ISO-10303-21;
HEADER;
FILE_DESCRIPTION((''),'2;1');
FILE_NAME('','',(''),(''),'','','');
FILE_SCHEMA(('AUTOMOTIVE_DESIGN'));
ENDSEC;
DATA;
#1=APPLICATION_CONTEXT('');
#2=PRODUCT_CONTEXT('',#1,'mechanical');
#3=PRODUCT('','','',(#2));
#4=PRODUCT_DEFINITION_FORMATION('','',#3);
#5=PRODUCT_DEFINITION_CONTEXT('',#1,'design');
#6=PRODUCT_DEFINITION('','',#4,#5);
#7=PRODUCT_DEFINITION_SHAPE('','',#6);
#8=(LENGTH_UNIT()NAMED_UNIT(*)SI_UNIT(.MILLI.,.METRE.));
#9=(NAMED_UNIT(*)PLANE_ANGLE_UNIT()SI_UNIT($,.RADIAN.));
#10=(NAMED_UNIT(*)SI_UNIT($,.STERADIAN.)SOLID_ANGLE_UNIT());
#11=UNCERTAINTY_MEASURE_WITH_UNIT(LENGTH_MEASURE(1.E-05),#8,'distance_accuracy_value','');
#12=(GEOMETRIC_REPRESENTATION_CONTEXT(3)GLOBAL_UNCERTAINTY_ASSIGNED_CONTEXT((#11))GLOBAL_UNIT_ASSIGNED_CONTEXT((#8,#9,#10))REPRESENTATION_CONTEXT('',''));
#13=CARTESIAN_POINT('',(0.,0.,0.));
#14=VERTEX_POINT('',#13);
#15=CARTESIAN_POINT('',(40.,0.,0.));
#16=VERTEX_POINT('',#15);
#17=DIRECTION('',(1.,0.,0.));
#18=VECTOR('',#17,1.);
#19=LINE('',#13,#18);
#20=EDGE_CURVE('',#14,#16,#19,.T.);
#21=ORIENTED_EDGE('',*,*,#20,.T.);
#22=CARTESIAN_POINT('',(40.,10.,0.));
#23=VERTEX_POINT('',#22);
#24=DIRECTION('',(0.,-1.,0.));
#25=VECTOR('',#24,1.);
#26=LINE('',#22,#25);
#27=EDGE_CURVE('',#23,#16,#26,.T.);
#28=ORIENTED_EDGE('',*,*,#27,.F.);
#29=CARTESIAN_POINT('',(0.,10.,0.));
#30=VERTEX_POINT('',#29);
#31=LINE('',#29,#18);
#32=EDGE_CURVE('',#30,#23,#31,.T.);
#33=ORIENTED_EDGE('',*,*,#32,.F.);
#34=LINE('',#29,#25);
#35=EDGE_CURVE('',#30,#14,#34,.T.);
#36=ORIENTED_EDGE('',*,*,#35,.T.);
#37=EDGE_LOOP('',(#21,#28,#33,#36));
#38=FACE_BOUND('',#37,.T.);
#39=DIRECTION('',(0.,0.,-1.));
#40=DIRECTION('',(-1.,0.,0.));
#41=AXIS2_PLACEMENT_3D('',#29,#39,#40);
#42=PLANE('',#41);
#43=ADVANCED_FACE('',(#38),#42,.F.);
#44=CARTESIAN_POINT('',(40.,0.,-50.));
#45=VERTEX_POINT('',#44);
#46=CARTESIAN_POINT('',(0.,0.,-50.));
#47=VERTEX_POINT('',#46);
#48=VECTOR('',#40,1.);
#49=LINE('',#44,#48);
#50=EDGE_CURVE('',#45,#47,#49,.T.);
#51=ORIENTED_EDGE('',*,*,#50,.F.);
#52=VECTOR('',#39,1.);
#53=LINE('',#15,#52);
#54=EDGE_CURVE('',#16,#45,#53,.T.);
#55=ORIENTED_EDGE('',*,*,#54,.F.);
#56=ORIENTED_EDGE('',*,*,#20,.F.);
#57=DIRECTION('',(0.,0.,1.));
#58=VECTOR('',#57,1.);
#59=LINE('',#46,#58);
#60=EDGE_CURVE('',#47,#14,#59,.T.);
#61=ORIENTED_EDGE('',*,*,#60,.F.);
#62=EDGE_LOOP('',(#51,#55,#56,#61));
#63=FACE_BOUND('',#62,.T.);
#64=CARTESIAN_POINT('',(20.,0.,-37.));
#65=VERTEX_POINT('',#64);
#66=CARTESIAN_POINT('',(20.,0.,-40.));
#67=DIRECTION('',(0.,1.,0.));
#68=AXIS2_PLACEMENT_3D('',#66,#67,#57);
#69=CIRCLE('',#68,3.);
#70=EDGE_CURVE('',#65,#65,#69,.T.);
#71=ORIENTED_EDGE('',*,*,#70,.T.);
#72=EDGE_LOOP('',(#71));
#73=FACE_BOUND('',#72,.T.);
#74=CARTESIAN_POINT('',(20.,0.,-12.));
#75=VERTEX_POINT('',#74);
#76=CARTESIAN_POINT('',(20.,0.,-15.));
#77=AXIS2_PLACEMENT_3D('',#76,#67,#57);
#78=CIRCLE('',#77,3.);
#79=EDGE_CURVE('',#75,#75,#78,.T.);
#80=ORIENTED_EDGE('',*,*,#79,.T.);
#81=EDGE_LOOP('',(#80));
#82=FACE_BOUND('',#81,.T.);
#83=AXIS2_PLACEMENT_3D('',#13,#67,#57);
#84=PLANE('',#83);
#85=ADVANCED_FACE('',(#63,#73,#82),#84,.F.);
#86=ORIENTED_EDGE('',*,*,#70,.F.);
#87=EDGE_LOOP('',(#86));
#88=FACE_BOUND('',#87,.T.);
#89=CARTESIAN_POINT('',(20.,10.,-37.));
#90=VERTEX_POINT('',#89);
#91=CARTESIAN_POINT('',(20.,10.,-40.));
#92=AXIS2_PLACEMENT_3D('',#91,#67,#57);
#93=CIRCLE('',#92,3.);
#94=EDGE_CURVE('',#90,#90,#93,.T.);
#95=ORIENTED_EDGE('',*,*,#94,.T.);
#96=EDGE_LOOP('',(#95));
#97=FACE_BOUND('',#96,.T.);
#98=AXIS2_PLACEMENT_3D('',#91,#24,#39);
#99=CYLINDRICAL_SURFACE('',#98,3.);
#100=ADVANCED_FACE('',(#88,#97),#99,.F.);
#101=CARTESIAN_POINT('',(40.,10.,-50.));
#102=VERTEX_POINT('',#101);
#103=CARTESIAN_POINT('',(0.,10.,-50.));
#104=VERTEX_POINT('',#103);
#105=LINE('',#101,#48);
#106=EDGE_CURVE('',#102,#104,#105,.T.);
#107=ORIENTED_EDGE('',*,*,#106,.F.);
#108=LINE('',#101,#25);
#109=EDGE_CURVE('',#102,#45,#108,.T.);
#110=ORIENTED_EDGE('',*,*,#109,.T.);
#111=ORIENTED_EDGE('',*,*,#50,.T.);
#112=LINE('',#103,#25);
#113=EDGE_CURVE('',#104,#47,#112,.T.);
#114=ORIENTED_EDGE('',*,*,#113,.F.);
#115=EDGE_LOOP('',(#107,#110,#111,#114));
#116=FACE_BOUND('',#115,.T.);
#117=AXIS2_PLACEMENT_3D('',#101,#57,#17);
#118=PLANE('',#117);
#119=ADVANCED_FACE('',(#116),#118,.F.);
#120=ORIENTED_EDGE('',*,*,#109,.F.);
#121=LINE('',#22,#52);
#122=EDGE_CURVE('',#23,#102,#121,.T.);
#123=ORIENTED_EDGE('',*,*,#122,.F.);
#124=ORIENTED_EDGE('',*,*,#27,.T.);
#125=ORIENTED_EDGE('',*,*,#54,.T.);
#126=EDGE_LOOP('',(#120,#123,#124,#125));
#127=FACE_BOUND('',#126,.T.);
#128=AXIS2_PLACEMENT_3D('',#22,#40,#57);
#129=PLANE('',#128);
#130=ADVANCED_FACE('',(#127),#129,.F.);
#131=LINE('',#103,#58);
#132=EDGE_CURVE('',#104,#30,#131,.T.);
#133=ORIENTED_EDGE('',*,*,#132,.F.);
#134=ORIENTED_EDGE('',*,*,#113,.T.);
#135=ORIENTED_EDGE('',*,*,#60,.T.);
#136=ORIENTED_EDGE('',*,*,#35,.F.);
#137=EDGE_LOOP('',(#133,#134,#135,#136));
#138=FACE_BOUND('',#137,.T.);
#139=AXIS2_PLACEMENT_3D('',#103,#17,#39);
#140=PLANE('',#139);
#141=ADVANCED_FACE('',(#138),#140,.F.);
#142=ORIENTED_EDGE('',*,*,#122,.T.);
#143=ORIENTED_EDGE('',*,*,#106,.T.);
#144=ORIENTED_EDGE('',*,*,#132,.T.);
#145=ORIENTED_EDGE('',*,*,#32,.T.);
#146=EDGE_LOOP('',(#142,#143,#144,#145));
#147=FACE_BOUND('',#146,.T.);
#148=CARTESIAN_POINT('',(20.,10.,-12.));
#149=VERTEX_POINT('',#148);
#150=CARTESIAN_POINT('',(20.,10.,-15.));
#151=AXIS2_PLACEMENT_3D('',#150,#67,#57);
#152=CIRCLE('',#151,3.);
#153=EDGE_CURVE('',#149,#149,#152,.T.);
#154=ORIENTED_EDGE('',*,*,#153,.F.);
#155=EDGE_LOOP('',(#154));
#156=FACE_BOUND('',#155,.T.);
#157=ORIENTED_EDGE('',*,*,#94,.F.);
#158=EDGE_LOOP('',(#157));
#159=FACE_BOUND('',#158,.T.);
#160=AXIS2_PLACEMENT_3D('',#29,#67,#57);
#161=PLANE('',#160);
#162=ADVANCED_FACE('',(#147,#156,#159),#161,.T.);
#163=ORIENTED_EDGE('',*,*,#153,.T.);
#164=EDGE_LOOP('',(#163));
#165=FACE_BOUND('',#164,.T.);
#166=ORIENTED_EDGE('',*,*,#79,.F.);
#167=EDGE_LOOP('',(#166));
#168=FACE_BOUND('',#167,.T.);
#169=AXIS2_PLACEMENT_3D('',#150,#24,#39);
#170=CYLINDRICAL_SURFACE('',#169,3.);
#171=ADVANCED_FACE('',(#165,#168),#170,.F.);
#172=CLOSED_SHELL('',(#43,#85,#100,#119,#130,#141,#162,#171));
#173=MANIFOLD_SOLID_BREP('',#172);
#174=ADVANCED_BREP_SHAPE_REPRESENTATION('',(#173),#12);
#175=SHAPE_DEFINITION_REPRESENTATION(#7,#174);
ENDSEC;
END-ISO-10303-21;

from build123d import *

# Parameters (mm, degrees)
SKETCH1_W           = 40
SKETCH1_H           = 50
SKETCH1_R           = 3
BOSS_EXTRUDE1_DEPTH = 10


with BuildPart() as part:
    # Sketch1 → Boss-Extrude1 (new body)
    with BuildSketch(Plane(origin=(0, 0, 0), x_dir=(1, 0, 0), z_dir=(0, 1, 0))):
        with Locations((20, 25)):
            Rectangle(SKETCH1_W, SKETCH1_H)
        with Locations((20, 15)):
            Circle(SKETCH1_R, mode=Mode.SUBTRACT)
        with Locations((20, 40)):
            Circle(SKETCH1_R, mode=Mode.SUBTRACT)
    extrude(amount=BOSS_EXTRUDE1_DEPTH)


solid = part.part
